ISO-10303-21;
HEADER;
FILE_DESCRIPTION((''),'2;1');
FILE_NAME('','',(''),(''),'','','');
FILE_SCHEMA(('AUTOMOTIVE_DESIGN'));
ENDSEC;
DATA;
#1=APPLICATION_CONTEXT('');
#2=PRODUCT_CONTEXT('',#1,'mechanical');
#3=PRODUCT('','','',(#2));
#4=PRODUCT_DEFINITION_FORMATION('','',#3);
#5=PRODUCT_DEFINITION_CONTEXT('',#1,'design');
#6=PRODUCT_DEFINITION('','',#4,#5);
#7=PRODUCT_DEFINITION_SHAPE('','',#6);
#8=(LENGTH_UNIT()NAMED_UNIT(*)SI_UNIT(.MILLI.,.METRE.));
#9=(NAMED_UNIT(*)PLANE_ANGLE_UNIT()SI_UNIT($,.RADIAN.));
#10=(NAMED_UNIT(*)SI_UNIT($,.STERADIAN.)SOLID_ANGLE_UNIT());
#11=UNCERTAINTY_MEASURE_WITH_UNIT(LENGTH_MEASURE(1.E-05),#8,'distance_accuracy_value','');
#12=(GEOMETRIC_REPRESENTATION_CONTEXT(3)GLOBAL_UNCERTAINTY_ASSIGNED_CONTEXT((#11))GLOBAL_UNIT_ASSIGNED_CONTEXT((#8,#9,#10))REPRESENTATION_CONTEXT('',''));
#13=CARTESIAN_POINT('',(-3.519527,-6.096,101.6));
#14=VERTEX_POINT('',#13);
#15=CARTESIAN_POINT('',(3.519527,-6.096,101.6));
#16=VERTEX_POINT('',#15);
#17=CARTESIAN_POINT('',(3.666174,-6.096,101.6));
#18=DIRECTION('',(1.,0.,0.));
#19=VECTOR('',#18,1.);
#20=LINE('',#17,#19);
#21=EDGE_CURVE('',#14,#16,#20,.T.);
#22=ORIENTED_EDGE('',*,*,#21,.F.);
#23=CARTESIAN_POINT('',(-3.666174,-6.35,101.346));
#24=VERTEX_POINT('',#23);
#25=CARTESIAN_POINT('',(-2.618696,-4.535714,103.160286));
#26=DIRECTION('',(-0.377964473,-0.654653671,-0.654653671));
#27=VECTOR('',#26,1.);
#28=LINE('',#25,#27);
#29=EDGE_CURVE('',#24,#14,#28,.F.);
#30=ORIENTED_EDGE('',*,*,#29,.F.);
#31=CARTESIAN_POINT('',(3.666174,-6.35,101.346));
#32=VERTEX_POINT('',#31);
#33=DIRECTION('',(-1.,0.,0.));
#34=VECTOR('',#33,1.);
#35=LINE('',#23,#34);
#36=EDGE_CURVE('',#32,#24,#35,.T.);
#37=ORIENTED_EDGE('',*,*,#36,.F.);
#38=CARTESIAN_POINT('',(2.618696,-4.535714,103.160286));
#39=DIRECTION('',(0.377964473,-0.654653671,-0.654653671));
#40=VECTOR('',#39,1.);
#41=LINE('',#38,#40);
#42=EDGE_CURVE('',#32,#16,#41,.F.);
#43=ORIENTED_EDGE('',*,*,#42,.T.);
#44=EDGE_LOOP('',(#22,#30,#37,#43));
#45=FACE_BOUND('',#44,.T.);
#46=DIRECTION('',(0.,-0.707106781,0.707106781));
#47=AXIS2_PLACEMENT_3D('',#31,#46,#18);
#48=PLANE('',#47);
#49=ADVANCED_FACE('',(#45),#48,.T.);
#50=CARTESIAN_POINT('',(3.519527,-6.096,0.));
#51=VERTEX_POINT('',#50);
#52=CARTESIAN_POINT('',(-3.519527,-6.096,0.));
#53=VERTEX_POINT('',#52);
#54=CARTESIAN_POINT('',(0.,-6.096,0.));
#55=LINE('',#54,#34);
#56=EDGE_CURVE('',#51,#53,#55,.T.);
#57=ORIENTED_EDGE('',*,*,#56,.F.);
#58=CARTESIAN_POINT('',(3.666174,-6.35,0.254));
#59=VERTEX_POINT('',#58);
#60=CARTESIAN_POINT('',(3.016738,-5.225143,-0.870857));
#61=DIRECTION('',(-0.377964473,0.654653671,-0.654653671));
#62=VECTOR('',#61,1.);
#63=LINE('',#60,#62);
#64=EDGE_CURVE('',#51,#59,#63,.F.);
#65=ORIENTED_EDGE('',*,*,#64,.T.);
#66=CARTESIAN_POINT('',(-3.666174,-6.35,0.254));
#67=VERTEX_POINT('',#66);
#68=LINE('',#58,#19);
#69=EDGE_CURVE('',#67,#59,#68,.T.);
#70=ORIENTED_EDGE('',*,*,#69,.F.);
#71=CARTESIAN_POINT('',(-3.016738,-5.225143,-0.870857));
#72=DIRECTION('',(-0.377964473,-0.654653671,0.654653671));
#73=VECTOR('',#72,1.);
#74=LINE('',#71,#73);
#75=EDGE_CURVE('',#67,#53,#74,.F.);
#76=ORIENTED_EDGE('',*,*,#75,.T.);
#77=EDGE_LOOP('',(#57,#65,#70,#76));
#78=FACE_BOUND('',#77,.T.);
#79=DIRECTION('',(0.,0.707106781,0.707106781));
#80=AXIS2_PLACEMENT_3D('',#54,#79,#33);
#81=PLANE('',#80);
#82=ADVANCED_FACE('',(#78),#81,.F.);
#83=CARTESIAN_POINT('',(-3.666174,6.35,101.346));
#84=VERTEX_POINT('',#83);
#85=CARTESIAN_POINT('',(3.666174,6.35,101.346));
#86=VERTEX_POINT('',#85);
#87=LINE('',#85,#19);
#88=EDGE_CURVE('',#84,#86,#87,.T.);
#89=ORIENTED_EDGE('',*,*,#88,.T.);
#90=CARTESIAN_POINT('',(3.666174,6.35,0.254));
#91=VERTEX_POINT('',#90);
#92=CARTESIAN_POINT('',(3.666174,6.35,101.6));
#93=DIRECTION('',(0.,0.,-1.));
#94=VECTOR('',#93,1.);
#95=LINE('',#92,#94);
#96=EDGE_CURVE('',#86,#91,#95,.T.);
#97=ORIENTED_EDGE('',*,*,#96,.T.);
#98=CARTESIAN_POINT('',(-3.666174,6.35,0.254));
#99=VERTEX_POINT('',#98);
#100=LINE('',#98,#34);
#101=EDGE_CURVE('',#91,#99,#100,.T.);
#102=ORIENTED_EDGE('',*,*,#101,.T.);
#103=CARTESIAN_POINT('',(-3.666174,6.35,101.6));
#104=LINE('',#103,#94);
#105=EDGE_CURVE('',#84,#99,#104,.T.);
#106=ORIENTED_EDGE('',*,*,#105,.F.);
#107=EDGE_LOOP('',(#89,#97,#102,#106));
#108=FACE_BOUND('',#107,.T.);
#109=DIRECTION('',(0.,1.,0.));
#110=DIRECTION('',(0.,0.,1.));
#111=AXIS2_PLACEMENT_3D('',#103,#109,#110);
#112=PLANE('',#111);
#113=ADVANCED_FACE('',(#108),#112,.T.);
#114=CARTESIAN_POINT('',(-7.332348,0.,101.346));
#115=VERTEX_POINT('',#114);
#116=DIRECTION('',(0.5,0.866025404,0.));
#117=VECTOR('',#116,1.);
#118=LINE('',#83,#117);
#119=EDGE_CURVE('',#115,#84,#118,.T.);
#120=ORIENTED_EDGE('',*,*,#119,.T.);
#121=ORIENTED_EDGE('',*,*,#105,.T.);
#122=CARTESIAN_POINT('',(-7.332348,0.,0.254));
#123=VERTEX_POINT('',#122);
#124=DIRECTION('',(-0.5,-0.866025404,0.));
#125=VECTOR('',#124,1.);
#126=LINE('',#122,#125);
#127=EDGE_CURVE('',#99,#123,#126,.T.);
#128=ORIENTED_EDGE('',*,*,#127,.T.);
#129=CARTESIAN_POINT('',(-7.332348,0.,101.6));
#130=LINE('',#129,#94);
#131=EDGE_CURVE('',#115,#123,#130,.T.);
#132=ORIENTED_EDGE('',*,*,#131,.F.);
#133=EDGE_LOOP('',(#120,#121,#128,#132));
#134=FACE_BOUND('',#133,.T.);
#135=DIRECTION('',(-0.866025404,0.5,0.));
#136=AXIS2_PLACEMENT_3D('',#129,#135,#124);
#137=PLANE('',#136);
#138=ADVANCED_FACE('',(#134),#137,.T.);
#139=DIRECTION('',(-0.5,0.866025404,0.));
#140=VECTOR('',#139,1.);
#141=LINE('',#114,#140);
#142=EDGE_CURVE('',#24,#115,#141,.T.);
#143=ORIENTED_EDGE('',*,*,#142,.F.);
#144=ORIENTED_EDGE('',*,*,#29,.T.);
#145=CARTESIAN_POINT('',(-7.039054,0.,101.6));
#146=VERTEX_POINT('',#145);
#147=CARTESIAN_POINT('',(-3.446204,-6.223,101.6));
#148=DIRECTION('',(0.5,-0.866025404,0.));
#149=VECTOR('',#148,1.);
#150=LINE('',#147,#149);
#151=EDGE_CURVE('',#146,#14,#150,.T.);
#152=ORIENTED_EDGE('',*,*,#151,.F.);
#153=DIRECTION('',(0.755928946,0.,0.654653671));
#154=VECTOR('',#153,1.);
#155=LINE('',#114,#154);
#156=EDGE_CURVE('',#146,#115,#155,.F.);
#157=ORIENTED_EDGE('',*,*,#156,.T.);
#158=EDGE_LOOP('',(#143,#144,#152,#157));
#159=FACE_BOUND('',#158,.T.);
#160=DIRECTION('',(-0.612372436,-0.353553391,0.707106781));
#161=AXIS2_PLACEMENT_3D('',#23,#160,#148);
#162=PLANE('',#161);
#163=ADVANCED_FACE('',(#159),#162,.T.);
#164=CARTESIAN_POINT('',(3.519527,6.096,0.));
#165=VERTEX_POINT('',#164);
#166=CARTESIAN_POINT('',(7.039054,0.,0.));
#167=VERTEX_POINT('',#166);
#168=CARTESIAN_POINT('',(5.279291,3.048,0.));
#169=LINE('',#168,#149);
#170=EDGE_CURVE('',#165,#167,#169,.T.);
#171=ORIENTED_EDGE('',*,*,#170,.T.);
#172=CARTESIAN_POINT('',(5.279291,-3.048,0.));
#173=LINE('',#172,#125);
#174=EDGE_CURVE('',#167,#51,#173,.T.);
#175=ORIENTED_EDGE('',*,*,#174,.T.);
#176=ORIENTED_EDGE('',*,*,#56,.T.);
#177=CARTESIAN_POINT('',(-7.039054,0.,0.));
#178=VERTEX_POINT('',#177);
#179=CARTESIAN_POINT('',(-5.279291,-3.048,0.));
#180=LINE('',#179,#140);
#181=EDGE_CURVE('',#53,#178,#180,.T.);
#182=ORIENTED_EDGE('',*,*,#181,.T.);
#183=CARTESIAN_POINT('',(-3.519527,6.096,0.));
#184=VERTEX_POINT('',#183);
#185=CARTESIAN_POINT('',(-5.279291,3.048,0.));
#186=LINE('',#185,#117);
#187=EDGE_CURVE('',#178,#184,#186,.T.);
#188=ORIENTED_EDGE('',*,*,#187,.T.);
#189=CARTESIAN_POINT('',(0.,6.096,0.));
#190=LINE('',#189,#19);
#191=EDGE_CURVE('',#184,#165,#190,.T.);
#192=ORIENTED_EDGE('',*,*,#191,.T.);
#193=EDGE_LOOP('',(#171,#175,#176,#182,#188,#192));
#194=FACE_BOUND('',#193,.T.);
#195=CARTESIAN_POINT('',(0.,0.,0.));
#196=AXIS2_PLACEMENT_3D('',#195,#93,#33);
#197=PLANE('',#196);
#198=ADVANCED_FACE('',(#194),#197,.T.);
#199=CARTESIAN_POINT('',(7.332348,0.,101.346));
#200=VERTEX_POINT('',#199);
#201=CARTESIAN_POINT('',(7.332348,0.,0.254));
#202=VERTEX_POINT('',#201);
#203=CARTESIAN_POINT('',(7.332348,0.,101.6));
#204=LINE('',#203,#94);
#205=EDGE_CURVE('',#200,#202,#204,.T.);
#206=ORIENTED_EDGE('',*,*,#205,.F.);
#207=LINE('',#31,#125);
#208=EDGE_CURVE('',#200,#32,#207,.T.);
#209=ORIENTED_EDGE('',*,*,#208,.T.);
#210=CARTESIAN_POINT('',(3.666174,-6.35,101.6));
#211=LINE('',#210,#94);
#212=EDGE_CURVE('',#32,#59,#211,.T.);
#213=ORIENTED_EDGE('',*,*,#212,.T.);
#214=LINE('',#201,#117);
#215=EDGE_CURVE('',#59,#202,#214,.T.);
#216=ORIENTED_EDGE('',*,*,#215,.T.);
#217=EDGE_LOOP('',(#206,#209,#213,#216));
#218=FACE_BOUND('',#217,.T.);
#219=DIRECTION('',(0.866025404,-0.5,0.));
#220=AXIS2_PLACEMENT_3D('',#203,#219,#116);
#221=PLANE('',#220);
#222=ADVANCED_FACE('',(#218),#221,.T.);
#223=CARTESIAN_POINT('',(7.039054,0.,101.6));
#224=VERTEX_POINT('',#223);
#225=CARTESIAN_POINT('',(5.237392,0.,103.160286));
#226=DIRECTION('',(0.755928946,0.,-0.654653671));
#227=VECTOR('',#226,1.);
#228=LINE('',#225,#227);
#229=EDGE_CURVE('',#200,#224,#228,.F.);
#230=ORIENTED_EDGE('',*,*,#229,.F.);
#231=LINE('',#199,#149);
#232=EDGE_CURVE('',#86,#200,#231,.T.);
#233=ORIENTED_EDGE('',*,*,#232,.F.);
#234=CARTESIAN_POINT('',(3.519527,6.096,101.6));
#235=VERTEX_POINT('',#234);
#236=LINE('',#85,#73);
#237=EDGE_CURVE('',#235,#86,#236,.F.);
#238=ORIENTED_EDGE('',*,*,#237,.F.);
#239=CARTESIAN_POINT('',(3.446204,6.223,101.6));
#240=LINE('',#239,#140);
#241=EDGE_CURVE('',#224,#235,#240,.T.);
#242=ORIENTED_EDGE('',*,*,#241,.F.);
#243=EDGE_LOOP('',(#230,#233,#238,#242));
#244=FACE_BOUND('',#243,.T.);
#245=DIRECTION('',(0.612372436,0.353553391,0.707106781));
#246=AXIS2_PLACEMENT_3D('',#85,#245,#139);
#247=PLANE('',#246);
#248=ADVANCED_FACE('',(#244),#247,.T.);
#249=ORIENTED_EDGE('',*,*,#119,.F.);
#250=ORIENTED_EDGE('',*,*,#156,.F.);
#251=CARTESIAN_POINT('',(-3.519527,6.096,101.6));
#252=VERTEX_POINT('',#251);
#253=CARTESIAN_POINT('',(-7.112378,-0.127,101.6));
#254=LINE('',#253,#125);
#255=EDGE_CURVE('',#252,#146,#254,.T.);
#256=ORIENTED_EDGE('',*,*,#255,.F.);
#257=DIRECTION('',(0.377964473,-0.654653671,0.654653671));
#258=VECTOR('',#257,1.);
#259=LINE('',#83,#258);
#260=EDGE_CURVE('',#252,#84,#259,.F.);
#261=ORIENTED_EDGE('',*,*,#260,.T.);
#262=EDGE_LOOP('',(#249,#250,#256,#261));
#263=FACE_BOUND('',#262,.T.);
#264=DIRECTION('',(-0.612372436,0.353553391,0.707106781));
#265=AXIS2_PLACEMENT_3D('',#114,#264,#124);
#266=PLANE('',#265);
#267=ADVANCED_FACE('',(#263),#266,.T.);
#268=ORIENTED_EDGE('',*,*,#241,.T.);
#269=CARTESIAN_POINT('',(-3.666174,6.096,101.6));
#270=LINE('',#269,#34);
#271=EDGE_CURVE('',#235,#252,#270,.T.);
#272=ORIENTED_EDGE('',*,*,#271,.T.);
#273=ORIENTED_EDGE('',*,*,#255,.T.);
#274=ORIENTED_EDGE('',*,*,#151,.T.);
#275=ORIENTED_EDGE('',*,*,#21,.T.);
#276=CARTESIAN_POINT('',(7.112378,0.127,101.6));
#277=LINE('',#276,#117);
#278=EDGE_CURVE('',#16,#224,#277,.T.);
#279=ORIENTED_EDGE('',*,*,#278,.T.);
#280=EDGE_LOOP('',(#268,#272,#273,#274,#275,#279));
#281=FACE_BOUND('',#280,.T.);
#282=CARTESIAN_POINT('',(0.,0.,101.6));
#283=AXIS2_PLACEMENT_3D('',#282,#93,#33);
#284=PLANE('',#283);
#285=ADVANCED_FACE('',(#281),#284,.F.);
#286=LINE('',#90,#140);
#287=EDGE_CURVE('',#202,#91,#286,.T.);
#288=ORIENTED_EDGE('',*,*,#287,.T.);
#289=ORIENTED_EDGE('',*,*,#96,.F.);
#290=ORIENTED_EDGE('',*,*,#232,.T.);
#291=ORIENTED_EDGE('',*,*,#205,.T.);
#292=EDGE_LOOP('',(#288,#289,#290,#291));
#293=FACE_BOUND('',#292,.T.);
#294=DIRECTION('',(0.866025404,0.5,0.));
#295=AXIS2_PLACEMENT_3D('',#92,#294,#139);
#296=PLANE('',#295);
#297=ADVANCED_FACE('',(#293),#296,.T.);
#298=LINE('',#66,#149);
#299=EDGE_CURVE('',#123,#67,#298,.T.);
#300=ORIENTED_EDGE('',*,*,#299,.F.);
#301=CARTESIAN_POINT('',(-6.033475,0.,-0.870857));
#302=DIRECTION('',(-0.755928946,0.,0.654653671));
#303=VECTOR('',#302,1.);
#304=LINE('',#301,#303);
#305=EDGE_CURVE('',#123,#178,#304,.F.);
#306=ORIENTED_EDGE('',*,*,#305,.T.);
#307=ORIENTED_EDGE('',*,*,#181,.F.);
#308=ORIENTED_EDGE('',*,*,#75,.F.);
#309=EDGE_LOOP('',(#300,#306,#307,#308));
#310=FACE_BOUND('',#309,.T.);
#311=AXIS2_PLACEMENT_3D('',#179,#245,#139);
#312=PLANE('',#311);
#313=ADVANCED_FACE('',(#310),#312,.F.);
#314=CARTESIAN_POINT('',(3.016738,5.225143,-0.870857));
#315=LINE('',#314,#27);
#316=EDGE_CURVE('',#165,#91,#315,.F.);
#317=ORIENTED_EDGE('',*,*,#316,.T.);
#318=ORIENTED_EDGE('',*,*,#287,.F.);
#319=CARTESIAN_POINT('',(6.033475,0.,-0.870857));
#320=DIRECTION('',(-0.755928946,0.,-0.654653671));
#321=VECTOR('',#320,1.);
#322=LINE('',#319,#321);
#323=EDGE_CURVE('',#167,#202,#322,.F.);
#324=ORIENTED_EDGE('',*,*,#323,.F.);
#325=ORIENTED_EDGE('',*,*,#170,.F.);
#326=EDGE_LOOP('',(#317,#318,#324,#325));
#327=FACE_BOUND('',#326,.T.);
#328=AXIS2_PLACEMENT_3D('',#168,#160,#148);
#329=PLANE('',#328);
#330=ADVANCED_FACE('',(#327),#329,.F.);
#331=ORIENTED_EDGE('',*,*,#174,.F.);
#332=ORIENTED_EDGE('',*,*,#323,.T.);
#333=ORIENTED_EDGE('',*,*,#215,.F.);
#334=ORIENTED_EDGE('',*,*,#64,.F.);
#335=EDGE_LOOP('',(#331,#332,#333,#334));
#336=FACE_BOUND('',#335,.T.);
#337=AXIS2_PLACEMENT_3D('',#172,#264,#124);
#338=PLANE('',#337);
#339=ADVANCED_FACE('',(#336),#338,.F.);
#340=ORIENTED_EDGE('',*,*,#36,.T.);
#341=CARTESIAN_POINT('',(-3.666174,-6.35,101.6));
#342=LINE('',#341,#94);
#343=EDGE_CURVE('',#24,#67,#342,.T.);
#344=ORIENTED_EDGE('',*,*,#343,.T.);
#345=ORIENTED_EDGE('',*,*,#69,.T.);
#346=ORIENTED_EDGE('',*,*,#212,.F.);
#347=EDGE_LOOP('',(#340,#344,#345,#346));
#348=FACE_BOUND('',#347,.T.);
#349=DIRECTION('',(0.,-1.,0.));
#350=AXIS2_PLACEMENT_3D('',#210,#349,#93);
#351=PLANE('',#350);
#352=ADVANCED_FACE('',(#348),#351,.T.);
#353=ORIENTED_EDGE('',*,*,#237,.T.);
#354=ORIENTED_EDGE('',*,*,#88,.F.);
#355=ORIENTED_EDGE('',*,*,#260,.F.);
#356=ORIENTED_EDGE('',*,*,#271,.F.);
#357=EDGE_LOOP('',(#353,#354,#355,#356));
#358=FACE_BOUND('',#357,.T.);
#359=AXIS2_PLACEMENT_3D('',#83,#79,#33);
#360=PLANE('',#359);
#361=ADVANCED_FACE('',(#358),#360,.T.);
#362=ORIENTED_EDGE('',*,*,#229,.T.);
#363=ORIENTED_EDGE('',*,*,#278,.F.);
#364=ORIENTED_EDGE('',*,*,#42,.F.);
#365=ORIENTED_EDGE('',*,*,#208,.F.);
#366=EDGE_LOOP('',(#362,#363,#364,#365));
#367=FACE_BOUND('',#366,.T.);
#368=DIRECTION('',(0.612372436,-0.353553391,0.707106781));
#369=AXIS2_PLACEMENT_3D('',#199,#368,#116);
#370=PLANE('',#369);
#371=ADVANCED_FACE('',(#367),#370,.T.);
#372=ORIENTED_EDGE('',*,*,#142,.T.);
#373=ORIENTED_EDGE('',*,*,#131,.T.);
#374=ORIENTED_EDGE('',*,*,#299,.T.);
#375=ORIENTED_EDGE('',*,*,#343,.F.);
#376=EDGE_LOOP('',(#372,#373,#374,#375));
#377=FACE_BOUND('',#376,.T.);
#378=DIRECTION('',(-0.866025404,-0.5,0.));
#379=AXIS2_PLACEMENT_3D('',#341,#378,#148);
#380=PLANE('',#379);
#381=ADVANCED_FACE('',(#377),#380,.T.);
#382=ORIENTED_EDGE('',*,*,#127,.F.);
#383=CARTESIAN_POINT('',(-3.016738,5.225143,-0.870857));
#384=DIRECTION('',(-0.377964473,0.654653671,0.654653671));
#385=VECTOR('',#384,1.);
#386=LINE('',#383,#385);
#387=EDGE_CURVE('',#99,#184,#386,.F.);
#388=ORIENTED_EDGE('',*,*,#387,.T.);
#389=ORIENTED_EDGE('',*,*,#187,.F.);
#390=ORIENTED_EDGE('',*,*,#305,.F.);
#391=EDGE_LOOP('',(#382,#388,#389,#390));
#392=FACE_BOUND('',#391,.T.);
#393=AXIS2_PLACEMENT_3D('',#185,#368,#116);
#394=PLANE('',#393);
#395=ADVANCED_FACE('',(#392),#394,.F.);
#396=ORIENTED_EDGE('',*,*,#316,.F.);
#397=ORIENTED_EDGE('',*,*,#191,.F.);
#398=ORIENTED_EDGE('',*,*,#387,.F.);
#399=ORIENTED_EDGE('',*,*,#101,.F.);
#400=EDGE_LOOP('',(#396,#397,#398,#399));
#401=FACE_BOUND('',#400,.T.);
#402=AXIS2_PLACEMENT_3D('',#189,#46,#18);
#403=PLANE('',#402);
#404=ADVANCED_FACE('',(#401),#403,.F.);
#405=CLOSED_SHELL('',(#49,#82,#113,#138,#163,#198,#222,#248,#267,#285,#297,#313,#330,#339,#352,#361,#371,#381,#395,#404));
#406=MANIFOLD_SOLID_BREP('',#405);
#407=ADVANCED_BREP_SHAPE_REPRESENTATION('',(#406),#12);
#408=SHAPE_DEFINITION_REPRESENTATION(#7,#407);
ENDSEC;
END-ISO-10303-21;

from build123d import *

# Parameters (mm, degrees)
BOSS_EXTRUDE1_DEPTH = 101.6
CHAMFER1_SIZE       = 0.254


with BuildPart() as part:
    # Sketch1 → Boss-Extrude1 (new body)
    with BuildSketch(Plane(origin=(0, 0, 0), x_dir=(-1, 0, 0), z_dir=(0, 0, -1))):
        Polygon((3.666174209, 6.35), (-3.666174209, 6.35), (-7.332348419, 0), (-3.666174209, -6.35), (3.666174209, -6.35), (7.332348419, 0), align=None)
    extrude(amount=-BOSS_EXTRUDE1_DEPTH)

    # Chamfer1
    chamfer1_edges = [part.edges().sort_by_distance(p)[0] for p in [
        (5.499261314, 3.175, 101.6),
        (5.499261314, -3.175, 101.6),
        (0, -6.35, 101.6),
        (-5.499261314, -3.175, 101.6),
        (-5.499261314, 3.175, 101.6),
        (-5.499261314, -3.175, 0),
        (0, -6.35, 0),
        (5.499261314, -3.175, 0),
        (5.499261314, 3.175, 0),
        (0, 6.35, 0),
        (-5.499261314, 3.175, 0),
        (0, 6.35, 101.6),
    ]]
    chamfer(chamfer1_edges, length=CHAMFER1_SIZE)


solid = part.part
